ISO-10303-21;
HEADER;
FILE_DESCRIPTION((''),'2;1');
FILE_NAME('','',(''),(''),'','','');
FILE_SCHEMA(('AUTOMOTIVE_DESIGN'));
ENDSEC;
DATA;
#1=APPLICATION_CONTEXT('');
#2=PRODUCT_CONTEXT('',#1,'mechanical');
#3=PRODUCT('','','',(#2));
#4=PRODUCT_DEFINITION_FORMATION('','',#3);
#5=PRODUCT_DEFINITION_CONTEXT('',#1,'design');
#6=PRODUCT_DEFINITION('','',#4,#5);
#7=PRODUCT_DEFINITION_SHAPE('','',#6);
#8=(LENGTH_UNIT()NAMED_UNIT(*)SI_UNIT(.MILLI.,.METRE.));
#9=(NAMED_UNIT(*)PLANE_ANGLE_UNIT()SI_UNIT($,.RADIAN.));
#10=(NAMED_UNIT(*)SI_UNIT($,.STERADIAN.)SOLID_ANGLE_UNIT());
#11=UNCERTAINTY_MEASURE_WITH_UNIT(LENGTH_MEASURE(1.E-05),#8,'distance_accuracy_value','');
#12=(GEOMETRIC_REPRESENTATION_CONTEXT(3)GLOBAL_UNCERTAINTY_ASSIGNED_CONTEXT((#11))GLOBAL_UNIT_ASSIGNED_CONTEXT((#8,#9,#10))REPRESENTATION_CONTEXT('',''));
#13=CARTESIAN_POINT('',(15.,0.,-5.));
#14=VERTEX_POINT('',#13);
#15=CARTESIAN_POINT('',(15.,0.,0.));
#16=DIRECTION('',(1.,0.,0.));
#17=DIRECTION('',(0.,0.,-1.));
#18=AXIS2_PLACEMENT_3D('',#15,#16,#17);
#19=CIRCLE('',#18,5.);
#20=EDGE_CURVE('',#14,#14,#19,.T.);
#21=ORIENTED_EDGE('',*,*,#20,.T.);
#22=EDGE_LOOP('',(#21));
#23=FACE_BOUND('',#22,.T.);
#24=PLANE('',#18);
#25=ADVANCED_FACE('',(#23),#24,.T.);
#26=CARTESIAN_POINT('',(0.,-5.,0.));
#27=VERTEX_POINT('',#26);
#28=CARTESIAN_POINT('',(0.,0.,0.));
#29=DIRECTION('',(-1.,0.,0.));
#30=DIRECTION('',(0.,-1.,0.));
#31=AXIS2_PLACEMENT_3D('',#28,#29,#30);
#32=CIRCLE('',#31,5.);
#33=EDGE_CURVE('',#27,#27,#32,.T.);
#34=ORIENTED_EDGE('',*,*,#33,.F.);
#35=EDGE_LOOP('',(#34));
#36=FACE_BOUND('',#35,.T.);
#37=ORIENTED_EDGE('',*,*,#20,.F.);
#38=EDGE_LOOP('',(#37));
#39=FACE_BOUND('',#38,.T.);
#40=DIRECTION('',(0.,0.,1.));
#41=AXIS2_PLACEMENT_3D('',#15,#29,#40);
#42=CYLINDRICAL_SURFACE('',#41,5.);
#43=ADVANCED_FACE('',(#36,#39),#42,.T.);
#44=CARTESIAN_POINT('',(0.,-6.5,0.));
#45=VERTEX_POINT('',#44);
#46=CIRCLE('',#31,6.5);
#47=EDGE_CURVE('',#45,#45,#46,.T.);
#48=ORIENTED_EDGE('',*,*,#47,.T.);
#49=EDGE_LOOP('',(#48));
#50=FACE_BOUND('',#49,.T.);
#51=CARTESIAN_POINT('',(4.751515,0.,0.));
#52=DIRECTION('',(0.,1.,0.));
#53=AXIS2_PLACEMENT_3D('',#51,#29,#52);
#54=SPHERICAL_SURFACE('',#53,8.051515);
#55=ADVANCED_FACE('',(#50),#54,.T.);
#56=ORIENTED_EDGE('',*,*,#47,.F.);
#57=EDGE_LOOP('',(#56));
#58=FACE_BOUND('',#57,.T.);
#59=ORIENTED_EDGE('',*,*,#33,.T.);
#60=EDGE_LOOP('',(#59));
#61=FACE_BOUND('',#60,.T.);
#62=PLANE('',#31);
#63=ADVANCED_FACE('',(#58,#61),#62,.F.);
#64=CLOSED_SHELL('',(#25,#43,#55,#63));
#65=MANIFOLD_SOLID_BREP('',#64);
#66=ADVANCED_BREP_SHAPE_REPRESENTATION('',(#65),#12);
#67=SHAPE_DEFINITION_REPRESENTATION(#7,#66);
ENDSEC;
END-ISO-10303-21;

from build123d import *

# Parameters (mm, degrees)
SKETCH1_R           = 5
BOSS_EXTRUDE1_DEPTH = 15


with BuildPart() as part:
    # Sketch1 → Boss-Extrude1 (new body)
    with BuildSketch(Plane(origin=(0, 0, 0), x_dir=(0, 0, -1), z_dir=(1, 0, 0))):
        Circle(SKETCH1_R)
    extrude(amount=BOSS_EXTRUDE1_DEPTH)

    # Sketch3 → Revolve1 (revolve)
    with BuildSketch(Plane.XY, mode=Mode.PRIVATE) as revolve1_sk:
        with BuildLine():
            Line((0, 0), (0, 6.5))
            ThreePointArc((0, 6.5), (-2.427753351, 3.644859394), (-3.3, 0))
            Line((-3.3, 0), (0, 0))
        make_face()
    revolve(revolve1_sk.sketch.rotate(Axis((-3.3, 0, 0), (1, 0, 0)), 180), axis=Axis((-3.3, 0, 0), (1, 0, 0)))


solid = part.part
